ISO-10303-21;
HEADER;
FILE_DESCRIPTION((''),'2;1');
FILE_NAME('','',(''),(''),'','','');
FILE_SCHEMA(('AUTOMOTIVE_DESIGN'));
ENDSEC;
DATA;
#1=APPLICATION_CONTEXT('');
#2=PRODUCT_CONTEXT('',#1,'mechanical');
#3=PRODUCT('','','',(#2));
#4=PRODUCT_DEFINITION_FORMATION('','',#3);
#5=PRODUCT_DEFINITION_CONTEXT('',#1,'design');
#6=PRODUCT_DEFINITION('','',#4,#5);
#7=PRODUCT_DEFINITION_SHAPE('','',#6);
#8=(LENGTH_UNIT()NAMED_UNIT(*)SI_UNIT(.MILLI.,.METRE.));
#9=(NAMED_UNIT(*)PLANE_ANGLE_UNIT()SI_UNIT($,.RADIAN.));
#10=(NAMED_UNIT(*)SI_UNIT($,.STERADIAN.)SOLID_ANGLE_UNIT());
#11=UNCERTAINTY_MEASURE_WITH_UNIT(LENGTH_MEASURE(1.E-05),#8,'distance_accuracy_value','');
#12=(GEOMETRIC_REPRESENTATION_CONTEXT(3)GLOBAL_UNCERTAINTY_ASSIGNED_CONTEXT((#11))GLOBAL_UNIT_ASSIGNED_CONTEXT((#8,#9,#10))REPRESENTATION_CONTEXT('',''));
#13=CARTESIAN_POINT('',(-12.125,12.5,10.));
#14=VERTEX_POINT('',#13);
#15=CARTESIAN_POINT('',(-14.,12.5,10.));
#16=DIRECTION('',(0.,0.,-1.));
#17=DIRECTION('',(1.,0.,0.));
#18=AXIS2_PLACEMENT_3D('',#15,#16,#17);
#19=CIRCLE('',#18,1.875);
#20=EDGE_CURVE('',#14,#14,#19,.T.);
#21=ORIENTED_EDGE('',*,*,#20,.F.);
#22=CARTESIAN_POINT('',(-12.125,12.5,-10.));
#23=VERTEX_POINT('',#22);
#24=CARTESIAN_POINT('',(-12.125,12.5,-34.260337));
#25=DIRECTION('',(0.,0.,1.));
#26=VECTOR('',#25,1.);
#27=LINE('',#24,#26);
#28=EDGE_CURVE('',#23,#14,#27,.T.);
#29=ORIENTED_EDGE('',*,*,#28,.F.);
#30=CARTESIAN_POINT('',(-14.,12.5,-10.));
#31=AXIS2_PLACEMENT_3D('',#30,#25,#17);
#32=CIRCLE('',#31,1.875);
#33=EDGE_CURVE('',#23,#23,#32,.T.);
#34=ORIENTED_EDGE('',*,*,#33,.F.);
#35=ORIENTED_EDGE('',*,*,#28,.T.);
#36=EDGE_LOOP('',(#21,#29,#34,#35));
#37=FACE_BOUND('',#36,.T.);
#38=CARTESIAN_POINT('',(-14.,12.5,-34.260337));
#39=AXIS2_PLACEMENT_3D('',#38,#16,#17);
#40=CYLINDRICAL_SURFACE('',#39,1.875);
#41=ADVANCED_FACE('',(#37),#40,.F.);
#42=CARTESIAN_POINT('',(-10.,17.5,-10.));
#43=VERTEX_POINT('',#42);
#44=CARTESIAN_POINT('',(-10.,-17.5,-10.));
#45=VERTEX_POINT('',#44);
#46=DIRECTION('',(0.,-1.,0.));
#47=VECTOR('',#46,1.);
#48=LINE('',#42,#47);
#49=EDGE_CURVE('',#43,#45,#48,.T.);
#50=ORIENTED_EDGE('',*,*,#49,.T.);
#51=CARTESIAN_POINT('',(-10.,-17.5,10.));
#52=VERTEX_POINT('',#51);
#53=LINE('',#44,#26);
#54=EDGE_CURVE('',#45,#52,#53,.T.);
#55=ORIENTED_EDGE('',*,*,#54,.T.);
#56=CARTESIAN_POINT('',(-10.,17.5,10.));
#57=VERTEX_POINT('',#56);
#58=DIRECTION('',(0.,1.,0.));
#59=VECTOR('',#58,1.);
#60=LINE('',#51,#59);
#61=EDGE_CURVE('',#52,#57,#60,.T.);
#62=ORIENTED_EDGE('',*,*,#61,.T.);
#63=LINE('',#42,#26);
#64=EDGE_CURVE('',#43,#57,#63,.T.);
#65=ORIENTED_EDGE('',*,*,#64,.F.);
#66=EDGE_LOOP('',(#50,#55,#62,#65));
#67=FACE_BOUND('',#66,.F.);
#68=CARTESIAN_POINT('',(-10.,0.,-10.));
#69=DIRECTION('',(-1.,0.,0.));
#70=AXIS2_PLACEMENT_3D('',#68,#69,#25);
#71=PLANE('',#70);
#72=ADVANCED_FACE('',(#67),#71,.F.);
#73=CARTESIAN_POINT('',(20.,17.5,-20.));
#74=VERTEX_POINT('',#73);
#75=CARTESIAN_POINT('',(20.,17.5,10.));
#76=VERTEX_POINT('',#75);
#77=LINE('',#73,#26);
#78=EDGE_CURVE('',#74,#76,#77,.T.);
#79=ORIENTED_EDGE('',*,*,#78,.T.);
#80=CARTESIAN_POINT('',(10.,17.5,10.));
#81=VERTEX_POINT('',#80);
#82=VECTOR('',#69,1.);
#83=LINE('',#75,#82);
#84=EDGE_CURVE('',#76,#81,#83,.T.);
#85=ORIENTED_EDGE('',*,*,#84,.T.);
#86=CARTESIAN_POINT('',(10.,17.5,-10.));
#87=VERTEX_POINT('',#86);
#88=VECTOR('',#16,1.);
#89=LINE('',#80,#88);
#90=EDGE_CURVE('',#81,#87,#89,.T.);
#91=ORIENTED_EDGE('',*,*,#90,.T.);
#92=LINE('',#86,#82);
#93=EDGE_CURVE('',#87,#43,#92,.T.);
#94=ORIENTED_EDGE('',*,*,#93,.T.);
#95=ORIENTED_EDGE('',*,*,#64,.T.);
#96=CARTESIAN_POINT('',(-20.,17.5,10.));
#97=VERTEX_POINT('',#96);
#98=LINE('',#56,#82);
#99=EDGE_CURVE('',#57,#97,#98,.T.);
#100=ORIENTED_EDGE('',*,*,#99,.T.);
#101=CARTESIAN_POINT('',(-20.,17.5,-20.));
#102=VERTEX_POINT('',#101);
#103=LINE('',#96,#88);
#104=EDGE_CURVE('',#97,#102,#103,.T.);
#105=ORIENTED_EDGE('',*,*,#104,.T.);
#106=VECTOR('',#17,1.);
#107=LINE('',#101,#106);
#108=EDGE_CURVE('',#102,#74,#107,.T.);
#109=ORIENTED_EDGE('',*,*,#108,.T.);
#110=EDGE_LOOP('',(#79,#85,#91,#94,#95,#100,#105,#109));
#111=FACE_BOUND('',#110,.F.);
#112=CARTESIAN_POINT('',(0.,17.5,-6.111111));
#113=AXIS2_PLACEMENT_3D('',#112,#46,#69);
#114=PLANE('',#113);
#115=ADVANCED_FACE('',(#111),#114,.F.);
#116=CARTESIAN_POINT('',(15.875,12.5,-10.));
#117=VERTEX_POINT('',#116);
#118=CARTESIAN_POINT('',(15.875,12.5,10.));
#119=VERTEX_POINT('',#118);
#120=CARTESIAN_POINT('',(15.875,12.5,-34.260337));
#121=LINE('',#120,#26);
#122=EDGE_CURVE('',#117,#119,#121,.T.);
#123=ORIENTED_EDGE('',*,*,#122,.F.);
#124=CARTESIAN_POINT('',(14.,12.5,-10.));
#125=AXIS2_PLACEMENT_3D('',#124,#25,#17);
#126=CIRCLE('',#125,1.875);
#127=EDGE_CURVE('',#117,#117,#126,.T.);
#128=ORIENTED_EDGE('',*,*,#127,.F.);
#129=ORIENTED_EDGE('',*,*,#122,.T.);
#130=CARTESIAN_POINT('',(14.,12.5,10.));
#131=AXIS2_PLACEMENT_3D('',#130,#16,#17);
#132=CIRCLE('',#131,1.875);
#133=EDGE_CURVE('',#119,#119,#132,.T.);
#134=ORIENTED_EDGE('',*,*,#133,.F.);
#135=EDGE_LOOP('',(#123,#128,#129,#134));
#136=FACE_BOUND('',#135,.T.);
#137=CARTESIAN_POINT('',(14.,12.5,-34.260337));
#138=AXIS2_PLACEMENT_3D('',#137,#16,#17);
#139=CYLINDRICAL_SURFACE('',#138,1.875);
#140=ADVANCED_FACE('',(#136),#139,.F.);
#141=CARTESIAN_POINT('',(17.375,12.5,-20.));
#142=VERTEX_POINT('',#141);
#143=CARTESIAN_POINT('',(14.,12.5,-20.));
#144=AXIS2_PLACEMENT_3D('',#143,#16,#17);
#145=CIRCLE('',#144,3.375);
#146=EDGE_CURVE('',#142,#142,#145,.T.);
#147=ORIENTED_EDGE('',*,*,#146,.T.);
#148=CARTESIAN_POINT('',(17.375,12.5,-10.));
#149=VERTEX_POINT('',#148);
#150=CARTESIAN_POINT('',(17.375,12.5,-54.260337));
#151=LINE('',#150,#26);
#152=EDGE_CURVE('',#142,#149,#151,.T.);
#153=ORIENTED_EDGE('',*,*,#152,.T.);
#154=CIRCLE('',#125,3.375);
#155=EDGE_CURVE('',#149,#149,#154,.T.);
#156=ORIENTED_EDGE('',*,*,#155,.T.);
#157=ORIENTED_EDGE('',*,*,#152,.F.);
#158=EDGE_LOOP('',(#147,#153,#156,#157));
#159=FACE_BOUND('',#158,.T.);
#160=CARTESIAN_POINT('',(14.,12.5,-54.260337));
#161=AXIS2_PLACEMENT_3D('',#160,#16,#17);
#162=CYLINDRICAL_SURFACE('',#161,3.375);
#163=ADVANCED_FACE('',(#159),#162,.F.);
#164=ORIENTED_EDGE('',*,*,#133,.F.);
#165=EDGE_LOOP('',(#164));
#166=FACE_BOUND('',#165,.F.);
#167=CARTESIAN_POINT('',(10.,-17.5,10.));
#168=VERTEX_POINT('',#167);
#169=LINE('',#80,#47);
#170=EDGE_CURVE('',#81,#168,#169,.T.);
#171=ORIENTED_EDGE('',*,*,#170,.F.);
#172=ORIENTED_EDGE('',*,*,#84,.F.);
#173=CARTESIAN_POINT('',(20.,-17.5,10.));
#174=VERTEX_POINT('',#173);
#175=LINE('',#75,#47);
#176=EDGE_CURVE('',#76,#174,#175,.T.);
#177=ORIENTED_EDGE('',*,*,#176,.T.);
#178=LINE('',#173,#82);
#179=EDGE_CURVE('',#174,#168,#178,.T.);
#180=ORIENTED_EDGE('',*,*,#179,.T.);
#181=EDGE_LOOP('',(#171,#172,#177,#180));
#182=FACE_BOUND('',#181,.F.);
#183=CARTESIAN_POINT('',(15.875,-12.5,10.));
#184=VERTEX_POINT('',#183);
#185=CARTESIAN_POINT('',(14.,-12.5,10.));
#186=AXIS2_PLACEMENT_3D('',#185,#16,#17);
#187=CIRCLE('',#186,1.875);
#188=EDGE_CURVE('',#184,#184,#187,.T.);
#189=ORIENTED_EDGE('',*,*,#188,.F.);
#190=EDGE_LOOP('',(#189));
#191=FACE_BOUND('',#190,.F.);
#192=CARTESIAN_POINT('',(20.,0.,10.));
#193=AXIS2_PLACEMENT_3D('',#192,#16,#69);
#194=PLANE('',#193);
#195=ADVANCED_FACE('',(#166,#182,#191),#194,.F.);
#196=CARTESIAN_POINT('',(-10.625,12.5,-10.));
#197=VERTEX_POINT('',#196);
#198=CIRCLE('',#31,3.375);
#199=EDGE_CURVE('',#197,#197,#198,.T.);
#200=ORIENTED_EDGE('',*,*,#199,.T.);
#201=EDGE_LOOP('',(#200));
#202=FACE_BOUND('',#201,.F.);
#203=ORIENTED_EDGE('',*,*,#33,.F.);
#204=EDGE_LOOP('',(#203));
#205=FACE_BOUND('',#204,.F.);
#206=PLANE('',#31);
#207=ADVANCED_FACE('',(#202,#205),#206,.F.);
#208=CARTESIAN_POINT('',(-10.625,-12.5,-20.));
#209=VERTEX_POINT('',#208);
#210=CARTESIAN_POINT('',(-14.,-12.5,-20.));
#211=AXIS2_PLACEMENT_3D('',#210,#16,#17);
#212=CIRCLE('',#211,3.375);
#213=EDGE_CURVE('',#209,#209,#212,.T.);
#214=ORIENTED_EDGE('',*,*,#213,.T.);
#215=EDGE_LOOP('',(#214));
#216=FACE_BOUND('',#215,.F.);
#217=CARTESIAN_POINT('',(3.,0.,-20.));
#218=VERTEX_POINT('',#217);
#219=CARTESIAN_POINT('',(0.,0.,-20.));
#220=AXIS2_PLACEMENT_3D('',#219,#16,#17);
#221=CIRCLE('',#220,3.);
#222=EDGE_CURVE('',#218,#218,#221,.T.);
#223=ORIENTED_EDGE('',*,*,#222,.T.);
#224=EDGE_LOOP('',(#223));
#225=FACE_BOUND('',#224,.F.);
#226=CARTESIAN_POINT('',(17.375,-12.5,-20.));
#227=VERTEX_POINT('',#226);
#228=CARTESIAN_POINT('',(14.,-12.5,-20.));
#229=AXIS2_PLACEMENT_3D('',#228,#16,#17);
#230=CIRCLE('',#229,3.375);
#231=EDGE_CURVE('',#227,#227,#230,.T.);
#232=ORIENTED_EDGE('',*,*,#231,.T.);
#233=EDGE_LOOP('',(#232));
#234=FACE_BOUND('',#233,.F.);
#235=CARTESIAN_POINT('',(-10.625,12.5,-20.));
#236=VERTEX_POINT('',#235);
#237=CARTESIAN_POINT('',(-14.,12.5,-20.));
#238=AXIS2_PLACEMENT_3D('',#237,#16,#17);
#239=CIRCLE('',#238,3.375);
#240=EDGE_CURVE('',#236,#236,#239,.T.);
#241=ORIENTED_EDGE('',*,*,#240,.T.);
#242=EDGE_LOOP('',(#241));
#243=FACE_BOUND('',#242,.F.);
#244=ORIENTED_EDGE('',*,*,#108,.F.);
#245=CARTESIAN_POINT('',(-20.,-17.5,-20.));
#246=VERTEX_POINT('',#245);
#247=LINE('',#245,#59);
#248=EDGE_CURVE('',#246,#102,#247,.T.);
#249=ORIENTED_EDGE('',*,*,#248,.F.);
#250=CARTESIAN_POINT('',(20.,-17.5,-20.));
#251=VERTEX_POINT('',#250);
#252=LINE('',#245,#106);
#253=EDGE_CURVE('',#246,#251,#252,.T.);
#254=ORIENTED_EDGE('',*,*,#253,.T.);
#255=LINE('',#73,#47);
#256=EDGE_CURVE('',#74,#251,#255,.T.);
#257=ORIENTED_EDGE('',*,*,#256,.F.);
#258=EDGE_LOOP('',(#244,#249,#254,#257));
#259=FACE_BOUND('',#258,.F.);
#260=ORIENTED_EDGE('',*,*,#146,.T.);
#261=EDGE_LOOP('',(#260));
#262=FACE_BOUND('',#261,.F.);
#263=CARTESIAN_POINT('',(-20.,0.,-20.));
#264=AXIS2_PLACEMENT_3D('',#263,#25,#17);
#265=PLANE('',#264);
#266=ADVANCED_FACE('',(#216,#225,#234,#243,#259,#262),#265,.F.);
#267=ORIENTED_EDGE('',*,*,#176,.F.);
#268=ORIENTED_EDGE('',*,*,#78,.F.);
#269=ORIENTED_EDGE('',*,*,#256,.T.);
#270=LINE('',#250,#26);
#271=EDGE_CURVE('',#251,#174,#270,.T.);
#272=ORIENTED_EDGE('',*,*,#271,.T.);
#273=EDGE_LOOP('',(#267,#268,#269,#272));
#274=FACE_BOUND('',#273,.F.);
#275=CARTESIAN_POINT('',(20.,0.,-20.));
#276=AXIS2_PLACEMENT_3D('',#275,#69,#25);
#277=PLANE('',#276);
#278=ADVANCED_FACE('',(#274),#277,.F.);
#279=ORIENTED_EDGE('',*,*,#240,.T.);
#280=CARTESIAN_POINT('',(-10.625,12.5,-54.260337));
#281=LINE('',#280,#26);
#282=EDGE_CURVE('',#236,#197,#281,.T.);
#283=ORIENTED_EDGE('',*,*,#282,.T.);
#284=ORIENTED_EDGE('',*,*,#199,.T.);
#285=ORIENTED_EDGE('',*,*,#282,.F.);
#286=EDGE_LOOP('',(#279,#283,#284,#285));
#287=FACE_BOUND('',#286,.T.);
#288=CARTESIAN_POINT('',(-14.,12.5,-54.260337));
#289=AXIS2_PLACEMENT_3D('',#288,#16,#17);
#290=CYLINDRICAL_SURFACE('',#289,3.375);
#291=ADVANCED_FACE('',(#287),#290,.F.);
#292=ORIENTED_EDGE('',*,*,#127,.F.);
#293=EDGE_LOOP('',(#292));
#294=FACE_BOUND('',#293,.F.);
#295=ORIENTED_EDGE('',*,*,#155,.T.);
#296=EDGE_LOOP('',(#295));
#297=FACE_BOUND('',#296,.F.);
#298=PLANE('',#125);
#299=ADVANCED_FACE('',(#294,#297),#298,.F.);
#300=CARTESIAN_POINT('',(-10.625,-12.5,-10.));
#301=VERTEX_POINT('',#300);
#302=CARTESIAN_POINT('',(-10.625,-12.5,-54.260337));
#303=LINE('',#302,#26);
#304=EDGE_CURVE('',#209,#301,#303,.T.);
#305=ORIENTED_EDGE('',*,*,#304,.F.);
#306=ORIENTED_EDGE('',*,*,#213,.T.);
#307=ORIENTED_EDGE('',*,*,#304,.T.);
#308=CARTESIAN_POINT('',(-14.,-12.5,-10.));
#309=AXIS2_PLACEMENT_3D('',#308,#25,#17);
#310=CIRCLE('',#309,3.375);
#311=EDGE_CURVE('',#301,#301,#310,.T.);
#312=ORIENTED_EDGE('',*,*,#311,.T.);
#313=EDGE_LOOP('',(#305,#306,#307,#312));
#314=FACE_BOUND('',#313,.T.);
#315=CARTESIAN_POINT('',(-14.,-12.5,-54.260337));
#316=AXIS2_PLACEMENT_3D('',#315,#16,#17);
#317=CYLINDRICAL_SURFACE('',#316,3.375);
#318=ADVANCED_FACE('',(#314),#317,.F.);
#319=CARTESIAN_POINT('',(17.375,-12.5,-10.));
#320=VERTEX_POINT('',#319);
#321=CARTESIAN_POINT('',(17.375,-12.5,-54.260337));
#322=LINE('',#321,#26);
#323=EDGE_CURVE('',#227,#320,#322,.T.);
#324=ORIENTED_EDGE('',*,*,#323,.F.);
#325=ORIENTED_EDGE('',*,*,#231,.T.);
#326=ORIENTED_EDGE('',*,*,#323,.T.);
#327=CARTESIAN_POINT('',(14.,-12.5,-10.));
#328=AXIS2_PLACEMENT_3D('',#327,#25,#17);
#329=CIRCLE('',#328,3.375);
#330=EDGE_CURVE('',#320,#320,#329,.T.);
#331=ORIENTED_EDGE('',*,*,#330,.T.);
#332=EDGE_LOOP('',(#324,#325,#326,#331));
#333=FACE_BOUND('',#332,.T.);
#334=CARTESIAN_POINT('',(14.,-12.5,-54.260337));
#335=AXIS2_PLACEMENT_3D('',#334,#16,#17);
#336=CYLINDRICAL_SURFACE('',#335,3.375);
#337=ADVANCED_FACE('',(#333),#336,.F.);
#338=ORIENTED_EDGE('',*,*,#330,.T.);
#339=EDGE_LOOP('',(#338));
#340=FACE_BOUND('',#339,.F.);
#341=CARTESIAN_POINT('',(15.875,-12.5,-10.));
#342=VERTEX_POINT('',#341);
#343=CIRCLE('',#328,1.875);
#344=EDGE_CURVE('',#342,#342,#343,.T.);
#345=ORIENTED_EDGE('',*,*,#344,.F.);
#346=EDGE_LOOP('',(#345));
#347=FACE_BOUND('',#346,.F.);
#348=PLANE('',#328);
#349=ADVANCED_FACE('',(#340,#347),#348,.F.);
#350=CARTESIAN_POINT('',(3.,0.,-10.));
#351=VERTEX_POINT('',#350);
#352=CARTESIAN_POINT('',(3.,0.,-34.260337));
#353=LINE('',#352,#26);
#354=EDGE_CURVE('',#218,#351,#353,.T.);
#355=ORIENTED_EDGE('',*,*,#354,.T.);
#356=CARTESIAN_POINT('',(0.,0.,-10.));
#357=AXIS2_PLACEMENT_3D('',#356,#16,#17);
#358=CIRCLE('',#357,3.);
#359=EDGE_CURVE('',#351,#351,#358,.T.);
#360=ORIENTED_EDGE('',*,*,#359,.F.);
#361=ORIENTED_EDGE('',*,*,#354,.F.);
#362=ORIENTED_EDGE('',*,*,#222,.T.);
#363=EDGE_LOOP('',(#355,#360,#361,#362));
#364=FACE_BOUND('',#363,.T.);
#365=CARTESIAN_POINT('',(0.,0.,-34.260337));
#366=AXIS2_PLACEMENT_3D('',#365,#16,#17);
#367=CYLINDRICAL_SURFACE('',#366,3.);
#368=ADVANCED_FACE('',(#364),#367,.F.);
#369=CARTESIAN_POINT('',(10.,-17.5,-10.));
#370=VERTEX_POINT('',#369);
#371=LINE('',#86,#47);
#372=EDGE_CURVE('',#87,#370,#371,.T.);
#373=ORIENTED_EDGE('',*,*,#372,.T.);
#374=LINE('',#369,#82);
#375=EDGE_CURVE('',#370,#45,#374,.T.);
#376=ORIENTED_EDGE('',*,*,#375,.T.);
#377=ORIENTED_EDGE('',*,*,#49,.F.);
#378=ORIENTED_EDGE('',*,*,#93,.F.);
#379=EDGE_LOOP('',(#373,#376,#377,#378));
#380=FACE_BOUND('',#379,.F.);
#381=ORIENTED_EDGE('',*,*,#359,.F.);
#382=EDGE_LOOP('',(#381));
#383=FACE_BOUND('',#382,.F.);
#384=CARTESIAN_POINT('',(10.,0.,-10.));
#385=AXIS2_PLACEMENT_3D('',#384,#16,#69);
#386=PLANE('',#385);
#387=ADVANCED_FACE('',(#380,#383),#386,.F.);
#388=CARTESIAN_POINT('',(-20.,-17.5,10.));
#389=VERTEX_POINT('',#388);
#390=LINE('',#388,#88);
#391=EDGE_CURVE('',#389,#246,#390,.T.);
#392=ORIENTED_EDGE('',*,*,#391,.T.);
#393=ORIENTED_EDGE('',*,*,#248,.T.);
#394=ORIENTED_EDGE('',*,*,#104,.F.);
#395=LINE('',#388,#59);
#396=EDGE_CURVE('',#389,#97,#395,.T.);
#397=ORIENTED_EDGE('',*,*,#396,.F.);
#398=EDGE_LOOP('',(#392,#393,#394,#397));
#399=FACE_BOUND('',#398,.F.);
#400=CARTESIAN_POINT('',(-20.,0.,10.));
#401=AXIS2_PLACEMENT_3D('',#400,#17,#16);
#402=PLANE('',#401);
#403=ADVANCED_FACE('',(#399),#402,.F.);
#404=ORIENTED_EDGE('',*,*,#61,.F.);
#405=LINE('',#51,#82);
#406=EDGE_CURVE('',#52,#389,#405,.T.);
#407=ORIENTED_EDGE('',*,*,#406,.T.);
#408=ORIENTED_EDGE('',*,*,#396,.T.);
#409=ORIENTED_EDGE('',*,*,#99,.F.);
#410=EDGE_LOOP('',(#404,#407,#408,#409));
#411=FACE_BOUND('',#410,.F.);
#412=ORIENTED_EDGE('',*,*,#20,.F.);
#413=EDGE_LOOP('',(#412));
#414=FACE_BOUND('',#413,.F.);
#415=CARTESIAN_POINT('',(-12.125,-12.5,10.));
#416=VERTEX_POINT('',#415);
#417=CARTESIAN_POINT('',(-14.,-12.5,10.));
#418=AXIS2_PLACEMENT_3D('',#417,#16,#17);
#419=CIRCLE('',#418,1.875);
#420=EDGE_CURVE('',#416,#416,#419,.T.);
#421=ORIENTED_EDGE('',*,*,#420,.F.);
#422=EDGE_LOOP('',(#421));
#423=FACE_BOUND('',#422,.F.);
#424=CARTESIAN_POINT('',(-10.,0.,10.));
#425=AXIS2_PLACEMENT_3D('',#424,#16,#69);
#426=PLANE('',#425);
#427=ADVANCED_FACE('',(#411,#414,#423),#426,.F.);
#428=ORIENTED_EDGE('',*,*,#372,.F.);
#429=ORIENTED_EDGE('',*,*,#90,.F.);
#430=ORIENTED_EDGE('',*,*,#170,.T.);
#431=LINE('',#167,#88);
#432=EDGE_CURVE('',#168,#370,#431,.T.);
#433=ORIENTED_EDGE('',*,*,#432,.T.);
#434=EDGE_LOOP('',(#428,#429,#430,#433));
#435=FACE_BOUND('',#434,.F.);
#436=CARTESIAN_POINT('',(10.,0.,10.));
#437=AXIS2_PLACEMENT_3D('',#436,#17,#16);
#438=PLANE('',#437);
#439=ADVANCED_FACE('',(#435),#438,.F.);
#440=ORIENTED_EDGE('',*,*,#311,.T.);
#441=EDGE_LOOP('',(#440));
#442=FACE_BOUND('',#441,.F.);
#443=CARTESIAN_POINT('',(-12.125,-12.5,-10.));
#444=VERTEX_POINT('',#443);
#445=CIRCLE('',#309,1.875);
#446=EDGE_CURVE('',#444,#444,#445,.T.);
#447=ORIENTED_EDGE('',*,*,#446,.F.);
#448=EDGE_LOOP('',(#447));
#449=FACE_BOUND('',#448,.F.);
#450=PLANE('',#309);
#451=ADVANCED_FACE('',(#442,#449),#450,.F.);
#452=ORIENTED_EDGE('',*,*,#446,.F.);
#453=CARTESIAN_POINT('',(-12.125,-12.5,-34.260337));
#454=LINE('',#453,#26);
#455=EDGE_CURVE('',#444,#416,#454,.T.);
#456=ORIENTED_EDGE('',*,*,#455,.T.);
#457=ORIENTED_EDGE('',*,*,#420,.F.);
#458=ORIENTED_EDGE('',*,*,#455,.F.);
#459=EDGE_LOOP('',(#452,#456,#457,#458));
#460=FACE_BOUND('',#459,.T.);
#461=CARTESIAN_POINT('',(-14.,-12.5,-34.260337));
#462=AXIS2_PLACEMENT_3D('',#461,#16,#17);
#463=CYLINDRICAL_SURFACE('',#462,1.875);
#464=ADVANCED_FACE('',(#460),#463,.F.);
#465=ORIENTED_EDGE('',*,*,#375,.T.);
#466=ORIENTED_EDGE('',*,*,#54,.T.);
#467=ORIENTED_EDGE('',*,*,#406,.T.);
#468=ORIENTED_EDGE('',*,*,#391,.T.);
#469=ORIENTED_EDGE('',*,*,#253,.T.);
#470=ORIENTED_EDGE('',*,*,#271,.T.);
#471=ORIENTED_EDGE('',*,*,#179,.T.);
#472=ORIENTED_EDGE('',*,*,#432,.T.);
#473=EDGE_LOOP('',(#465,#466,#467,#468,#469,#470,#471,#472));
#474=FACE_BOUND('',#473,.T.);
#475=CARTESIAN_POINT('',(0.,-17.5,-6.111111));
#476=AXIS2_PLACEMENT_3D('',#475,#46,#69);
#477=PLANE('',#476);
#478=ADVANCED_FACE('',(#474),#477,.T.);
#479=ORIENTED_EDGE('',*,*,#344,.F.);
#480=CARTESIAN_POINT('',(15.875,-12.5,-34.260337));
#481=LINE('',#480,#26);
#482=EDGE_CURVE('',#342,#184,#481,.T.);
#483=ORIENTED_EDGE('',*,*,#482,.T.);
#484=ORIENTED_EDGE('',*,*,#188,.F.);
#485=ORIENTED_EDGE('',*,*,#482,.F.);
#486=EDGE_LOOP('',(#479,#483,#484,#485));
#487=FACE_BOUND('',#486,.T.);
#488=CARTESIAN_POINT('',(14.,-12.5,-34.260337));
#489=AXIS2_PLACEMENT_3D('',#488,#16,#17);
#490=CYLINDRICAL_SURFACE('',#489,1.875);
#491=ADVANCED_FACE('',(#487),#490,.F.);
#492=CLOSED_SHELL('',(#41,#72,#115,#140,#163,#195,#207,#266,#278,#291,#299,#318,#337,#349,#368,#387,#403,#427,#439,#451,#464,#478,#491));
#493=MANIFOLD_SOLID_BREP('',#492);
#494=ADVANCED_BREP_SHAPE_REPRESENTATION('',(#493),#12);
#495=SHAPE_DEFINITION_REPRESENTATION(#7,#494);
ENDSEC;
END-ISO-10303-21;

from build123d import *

# Parameters (mm, degrees)
BOSS_EXTRUDE1_DEPTH     = 17.5
CUT_EXTRUDE1_DEPTH      = 10
CUT_EXTRUDE1_DEPTH_BACK = 34.260336739
CUT_EXTRUDE1_START      = -20
SKETCH3_R               = 3.375
SKETCH3_R_2             = 1.875
CUT_EXTRUDE6_DEPTH      = 34.260336739
CUT_EXTRUDE6_DEPTH_BACK = 34.260336739
SKETCH3_4_R             = 1.875
SKETCH3_4_R_2           = 3


with BuildPart() as part:
    # Sketch1 → Boss-Extrude1 (new, symmetric)
    with BuildSketch(Plane(origin=(0, 0, 0), x_dir=(1, 0, 0), z_dir=(0, 1, 0))):
        Polygon((-20, 20), (20, 20), (20, -10), (10, -10), (10, 10), (-10, 10), (-10, -10), (-20, -10), align=None)
    extrude(amount=BOSS_EXTRUDE1_DEPTH, both=True)

    # Sketch3 → Cut-Extrude1 (cut, two sides: drawn at the far end of the back side and taken through both)
    # profile 1 of 4: a face of its own
    with BuildSketch(Plane.XY.offset(CUT_EXTRUDE1_START - CUT_EXTRUDE1_DEPTH_BACK)):
        with Locations((-14, 12.5)):
            Circle(SKETCH3_R)
        with Locations((-14, 12.5)):
            Circle(SKETCH3_R_2, mode=Mode.SUBTRACT)
    # profile 2 of 4: a face of its own
    with BuildSketch(Plane.XY.offset(CUT_EXTRUDE1_START - CUT_EXTRUDE1_DEPTH_BACK)):
        with Locations((14, 12.5)):
            Circle(SKETCH3_R)
        with Locations((14, 12.5)):
            Circle(SKETCH3_R_2, mode=Mode.SUBTRACT)
    # profile 3 of 4: a face of its own
    with BuildSketch(Plane.XY.offset(CUT_EXTRUDE1_START - CUT_EXTRUDE1_DEPTH_BACK)):
        with Locations((14, -12.5)):
            Circle(SKETCH3_R)
        with Locations((14, -12.5)):
            Circle(SKETCH3_R_2, mode=Mode.SUBTRACT)
    # profile 4 of 4: a face of its own
    with BuildSketch(Plane.XY.offset(CUT_EXTRUDE1_START - CUT_EXTRUDE1_DEPTH_BACK)):
        with Locations((-14, -12.5)):
            Circle(SKETCH3_R)
        with Locations((-14, -12.5)):
            Circle(SKETCH3_R_2, mode=Mode.SUBTRACT)
    extrude(amount=CUT_EXTRUDE1_DEPTH + CUT_EXTRUDE1_DEPTH_BACK, mode=Mode.SUBTRACT)

    # Sketch3<4> → Cut-Extrude6 (cut, two sides: drawn at the far end of the back side and taken through both)
    with BuildSketch(Plane.XY.offset(-CUT_EXTRUDE6_DEPTH_BACK)):
        with Locations((-14, 12.5)):
            Circle(SKETCH3_4_R)
        with Locations((-14, -12.5)):
            Circle(SKETCH3_4_R)
        with Locations((14, -12.5)):
            Circle(SKETCH3_4_R)
        with Locations((14, 12.5)):
            Circle(SKETCH3_4_R)
        Circle(SKETCH3_4_R_2)
    extrude(amount=CUT_EXTRUDE6_DEPTH + CUT_EXTRUDE6_DEPTH_BACK, mode=Mode.SUBTRACT)


solid = part.part
